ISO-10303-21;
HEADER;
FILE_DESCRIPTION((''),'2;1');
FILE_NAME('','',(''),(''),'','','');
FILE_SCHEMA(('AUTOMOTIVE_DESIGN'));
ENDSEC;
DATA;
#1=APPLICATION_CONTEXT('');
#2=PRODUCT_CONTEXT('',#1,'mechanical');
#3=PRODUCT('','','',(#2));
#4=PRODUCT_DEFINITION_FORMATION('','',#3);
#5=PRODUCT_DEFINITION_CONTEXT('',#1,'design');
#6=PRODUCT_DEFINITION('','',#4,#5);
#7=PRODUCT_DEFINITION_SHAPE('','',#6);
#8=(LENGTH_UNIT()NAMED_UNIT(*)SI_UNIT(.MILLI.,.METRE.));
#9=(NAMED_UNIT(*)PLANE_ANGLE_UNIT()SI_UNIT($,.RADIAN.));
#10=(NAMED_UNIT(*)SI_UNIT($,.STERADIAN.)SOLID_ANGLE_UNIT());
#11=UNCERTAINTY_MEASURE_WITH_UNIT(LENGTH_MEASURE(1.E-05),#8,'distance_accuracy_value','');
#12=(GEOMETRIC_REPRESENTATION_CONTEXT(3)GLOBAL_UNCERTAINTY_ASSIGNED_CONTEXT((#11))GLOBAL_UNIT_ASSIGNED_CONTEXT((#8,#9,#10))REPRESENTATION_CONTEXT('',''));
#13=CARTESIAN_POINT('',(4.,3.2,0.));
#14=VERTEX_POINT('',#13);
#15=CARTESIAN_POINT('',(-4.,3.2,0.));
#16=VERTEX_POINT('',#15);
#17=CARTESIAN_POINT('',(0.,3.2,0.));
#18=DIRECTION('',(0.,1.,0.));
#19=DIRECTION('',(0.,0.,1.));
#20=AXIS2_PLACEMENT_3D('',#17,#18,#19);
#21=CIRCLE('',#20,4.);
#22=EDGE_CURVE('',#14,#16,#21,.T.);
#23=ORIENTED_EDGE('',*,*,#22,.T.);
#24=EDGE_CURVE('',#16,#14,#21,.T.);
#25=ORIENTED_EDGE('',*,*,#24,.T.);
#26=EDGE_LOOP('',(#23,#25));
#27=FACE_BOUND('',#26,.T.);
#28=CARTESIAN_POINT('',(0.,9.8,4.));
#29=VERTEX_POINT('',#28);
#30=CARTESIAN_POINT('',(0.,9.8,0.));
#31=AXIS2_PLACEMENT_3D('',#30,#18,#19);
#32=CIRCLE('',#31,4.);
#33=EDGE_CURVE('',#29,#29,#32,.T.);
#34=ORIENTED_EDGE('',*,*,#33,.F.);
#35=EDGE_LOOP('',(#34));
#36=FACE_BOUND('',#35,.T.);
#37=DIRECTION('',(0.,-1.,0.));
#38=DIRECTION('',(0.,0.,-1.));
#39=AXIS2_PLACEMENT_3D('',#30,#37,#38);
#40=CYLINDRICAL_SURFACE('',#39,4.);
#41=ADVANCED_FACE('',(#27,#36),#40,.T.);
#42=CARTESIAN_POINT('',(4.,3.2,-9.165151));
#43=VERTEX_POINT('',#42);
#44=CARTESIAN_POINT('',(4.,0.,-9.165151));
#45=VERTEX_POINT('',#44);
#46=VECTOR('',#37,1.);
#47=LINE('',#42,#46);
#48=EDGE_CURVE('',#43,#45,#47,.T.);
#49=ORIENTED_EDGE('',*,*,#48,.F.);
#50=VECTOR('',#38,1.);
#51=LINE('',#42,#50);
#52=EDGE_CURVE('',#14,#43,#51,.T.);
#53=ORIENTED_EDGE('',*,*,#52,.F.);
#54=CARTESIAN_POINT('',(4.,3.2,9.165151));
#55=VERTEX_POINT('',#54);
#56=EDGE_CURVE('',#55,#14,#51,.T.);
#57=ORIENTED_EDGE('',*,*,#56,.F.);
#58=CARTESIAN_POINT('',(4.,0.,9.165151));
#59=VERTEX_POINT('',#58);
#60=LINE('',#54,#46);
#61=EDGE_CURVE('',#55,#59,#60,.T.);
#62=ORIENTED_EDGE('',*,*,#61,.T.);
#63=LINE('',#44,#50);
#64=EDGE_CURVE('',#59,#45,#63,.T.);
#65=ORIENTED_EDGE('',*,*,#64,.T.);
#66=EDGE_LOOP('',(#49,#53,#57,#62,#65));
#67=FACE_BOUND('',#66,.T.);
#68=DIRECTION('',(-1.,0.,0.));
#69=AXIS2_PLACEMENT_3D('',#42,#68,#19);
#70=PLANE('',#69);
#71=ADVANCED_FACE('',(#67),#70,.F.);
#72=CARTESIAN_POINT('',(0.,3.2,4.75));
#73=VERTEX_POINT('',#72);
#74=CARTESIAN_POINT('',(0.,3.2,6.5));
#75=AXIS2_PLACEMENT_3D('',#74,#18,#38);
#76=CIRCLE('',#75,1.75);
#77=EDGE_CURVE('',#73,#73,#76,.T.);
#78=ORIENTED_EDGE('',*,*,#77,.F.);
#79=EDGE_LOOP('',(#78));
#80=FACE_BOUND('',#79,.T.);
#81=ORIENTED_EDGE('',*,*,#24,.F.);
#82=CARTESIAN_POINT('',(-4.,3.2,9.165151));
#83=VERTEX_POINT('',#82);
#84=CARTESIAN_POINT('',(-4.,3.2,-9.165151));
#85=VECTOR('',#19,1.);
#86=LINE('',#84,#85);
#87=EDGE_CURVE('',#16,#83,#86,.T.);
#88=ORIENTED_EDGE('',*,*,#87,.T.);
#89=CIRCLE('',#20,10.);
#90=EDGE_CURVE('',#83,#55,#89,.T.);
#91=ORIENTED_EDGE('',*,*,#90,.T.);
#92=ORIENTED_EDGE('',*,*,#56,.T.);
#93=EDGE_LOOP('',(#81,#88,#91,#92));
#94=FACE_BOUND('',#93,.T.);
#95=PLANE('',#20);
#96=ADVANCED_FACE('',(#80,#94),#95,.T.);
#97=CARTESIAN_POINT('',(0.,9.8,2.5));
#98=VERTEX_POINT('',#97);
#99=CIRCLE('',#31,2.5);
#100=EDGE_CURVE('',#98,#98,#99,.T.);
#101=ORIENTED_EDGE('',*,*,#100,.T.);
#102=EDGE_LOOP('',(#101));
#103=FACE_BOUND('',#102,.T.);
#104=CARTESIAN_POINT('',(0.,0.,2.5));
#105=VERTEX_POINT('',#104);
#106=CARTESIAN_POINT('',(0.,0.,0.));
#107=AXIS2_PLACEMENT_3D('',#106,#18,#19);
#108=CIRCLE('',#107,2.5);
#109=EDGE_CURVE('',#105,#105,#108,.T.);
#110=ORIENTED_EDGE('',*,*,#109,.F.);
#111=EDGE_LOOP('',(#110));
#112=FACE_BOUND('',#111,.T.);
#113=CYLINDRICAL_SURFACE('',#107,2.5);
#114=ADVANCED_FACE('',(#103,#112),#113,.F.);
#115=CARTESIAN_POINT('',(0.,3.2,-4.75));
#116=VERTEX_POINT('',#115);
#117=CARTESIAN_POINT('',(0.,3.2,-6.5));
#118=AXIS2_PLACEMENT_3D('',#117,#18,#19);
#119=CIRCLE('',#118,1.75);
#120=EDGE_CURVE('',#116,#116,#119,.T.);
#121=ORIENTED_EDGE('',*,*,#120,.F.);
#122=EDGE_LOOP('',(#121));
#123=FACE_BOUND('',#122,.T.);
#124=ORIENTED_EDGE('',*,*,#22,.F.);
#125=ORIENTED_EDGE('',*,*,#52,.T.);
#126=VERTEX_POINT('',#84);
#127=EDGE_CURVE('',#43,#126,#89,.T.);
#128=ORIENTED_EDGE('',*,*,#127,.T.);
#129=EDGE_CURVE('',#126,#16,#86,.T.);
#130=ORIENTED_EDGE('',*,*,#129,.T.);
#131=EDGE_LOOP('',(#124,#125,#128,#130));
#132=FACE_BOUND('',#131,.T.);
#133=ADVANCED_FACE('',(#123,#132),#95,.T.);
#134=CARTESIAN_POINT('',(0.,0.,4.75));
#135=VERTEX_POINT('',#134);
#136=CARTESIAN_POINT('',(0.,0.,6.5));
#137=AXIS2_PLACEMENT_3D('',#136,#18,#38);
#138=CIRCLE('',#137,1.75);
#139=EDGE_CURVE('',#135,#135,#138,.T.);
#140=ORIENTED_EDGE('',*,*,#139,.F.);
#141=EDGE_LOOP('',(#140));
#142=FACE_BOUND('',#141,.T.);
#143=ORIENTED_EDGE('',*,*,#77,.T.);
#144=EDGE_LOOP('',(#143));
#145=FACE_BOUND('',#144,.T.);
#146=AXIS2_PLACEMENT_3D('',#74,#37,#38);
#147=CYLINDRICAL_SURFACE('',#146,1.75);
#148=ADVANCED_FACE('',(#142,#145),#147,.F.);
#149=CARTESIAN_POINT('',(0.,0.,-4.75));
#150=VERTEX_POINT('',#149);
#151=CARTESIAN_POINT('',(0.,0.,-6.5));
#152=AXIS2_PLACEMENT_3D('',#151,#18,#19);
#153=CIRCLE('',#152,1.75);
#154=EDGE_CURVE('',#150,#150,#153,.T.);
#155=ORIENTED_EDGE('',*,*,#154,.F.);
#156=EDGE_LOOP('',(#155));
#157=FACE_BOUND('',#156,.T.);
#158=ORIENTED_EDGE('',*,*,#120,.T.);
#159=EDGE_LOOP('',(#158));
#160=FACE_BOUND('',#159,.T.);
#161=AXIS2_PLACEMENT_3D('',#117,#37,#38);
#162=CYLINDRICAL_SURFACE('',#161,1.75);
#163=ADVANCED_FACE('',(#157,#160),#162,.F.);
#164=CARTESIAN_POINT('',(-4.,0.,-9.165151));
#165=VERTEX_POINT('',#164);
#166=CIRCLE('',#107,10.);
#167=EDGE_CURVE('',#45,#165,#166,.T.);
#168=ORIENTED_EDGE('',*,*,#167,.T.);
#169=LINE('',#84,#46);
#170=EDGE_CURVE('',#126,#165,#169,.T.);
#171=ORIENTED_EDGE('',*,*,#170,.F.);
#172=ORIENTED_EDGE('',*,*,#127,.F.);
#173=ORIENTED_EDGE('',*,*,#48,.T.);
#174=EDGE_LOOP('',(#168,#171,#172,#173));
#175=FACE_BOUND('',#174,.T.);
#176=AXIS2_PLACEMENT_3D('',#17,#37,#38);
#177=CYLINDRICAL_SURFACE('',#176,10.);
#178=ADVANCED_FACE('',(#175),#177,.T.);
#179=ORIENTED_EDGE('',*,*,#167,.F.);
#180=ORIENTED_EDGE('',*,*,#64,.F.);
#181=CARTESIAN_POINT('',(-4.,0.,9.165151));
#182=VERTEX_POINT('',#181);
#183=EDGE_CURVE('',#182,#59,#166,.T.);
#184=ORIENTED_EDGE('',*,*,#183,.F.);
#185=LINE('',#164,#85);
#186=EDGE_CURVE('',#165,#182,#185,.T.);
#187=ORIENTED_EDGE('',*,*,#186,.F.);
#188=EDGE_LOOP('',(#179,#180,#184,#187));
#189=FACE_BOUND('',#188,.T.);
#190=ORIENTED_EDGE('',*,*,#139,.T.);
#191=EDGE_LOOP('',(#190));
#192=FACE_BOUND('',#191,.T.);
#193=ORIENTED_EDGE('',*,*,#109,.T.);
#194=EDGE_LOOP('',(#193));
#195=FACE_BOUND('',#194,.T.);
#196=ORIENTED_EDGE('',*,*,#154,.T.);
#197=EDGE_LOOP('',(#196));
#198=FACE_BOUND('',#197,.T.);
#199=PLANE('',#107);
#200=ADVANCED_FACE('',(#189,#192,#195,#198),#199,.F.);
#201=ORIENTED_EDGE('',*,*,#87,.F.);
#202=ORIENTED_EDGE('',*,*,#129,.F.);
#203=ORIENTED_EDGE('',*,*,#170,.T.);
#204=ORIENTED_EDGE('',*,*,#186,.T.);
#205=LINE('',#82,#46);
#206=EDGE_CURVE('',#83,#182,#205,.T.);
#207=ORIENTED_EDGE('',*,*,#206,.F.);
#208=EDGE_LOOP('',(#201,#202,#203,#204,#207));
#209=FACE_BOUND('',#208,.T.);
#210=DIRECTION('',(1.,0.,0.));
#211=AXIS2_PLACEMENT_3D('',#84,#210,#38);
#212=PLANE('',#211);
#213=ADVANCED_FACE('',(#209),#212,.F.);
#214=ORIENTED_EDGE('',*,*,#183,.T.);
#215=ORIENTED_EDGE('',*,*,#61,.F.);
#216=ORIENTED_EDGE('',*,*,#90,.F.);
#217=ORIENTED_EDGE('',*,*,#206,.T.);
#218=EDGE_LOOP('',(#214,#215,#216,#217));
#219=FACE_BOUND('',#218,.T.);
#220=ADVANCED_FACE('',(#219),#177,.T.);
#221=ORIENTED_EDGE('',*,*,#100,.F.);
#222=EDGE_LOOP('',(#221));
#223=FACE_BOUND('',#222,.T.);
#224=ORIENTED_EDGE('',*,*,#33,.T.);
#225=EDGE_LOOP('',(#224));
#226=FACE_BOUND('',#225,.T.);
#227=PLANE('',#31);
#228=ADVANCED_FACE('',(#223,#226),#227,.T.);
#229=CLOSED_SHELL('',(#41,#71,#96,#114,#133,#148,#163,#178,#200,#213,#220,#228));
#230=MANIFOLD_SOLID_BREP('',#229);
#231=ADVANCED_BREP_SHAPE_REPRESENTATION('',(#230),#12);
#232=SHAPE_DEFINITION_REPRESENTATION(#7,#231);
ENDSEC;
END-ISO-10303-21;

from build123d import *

# Parameters (mm, degrees)
SKETCH_2_R          = 1.75
EXTRUDE_1_DEPTH     = 3.2
SKETCH_3_R          = 4
EXTRUDE_2_DEPTH     = 6.6
SKETCH_4_R          = 2.5
CUT_EXTRUDE_1_DEPTH = 10.8


with BuildPart() as part:
    # 草图2 → 凸台-拉伸1 (new body)
    with BuildSketch(Plane(origin=(0, 0, 0), x_dir=(1, 0, 0), z_dir=(0, 1, 0))):
        with BuildLine():
            Line((-4, 9.16515139), (-4, -9.16515139))
            ThreePointArc((-4, -9.16515139), (0, -10), (4, -9.16515139))
            Line((4, -9.16515139), (4, 9.16515139))
            ThreePointArc((4, 9.16515139), (0, 10), (-4, 9.16515139))
        make_face()
        with Locations((0, 6.5)):
            Circle(SKETCH_2_R, mode=Mode.SUBTRACT)
        with Locations((0, -6.5)):
            Circle(SKETCH_2_R, mode=Mode.SUBTRACT)
    extrude(amount=EXTRUDE_1_DEPTH)

    # 草图3 → 凸台-拉伸2 (add)
    with BuildSketch(Plane(origin=(0, 3.2, 0), x_dir=(1, 0, 0), z_dir=(0, 1, 0))):
        Circle(SKETCH_3_R)
    extrude(amount=EXTRUDE_2_DEPTH)

    # 草图4 → 切除-拉伸1 (cut, through all)
    with BuildSketch(Plane(origin=(0, 9.8, 0), x_dir=(1, 0, 0), z_dir=(0, 1, 0))):
        Circle(SKETCH_4_R)
    extrude(amount=-CUT_EXTRUDE_1_DEPTH, mode=Mode.SUBTRACT)


solid = part.part
